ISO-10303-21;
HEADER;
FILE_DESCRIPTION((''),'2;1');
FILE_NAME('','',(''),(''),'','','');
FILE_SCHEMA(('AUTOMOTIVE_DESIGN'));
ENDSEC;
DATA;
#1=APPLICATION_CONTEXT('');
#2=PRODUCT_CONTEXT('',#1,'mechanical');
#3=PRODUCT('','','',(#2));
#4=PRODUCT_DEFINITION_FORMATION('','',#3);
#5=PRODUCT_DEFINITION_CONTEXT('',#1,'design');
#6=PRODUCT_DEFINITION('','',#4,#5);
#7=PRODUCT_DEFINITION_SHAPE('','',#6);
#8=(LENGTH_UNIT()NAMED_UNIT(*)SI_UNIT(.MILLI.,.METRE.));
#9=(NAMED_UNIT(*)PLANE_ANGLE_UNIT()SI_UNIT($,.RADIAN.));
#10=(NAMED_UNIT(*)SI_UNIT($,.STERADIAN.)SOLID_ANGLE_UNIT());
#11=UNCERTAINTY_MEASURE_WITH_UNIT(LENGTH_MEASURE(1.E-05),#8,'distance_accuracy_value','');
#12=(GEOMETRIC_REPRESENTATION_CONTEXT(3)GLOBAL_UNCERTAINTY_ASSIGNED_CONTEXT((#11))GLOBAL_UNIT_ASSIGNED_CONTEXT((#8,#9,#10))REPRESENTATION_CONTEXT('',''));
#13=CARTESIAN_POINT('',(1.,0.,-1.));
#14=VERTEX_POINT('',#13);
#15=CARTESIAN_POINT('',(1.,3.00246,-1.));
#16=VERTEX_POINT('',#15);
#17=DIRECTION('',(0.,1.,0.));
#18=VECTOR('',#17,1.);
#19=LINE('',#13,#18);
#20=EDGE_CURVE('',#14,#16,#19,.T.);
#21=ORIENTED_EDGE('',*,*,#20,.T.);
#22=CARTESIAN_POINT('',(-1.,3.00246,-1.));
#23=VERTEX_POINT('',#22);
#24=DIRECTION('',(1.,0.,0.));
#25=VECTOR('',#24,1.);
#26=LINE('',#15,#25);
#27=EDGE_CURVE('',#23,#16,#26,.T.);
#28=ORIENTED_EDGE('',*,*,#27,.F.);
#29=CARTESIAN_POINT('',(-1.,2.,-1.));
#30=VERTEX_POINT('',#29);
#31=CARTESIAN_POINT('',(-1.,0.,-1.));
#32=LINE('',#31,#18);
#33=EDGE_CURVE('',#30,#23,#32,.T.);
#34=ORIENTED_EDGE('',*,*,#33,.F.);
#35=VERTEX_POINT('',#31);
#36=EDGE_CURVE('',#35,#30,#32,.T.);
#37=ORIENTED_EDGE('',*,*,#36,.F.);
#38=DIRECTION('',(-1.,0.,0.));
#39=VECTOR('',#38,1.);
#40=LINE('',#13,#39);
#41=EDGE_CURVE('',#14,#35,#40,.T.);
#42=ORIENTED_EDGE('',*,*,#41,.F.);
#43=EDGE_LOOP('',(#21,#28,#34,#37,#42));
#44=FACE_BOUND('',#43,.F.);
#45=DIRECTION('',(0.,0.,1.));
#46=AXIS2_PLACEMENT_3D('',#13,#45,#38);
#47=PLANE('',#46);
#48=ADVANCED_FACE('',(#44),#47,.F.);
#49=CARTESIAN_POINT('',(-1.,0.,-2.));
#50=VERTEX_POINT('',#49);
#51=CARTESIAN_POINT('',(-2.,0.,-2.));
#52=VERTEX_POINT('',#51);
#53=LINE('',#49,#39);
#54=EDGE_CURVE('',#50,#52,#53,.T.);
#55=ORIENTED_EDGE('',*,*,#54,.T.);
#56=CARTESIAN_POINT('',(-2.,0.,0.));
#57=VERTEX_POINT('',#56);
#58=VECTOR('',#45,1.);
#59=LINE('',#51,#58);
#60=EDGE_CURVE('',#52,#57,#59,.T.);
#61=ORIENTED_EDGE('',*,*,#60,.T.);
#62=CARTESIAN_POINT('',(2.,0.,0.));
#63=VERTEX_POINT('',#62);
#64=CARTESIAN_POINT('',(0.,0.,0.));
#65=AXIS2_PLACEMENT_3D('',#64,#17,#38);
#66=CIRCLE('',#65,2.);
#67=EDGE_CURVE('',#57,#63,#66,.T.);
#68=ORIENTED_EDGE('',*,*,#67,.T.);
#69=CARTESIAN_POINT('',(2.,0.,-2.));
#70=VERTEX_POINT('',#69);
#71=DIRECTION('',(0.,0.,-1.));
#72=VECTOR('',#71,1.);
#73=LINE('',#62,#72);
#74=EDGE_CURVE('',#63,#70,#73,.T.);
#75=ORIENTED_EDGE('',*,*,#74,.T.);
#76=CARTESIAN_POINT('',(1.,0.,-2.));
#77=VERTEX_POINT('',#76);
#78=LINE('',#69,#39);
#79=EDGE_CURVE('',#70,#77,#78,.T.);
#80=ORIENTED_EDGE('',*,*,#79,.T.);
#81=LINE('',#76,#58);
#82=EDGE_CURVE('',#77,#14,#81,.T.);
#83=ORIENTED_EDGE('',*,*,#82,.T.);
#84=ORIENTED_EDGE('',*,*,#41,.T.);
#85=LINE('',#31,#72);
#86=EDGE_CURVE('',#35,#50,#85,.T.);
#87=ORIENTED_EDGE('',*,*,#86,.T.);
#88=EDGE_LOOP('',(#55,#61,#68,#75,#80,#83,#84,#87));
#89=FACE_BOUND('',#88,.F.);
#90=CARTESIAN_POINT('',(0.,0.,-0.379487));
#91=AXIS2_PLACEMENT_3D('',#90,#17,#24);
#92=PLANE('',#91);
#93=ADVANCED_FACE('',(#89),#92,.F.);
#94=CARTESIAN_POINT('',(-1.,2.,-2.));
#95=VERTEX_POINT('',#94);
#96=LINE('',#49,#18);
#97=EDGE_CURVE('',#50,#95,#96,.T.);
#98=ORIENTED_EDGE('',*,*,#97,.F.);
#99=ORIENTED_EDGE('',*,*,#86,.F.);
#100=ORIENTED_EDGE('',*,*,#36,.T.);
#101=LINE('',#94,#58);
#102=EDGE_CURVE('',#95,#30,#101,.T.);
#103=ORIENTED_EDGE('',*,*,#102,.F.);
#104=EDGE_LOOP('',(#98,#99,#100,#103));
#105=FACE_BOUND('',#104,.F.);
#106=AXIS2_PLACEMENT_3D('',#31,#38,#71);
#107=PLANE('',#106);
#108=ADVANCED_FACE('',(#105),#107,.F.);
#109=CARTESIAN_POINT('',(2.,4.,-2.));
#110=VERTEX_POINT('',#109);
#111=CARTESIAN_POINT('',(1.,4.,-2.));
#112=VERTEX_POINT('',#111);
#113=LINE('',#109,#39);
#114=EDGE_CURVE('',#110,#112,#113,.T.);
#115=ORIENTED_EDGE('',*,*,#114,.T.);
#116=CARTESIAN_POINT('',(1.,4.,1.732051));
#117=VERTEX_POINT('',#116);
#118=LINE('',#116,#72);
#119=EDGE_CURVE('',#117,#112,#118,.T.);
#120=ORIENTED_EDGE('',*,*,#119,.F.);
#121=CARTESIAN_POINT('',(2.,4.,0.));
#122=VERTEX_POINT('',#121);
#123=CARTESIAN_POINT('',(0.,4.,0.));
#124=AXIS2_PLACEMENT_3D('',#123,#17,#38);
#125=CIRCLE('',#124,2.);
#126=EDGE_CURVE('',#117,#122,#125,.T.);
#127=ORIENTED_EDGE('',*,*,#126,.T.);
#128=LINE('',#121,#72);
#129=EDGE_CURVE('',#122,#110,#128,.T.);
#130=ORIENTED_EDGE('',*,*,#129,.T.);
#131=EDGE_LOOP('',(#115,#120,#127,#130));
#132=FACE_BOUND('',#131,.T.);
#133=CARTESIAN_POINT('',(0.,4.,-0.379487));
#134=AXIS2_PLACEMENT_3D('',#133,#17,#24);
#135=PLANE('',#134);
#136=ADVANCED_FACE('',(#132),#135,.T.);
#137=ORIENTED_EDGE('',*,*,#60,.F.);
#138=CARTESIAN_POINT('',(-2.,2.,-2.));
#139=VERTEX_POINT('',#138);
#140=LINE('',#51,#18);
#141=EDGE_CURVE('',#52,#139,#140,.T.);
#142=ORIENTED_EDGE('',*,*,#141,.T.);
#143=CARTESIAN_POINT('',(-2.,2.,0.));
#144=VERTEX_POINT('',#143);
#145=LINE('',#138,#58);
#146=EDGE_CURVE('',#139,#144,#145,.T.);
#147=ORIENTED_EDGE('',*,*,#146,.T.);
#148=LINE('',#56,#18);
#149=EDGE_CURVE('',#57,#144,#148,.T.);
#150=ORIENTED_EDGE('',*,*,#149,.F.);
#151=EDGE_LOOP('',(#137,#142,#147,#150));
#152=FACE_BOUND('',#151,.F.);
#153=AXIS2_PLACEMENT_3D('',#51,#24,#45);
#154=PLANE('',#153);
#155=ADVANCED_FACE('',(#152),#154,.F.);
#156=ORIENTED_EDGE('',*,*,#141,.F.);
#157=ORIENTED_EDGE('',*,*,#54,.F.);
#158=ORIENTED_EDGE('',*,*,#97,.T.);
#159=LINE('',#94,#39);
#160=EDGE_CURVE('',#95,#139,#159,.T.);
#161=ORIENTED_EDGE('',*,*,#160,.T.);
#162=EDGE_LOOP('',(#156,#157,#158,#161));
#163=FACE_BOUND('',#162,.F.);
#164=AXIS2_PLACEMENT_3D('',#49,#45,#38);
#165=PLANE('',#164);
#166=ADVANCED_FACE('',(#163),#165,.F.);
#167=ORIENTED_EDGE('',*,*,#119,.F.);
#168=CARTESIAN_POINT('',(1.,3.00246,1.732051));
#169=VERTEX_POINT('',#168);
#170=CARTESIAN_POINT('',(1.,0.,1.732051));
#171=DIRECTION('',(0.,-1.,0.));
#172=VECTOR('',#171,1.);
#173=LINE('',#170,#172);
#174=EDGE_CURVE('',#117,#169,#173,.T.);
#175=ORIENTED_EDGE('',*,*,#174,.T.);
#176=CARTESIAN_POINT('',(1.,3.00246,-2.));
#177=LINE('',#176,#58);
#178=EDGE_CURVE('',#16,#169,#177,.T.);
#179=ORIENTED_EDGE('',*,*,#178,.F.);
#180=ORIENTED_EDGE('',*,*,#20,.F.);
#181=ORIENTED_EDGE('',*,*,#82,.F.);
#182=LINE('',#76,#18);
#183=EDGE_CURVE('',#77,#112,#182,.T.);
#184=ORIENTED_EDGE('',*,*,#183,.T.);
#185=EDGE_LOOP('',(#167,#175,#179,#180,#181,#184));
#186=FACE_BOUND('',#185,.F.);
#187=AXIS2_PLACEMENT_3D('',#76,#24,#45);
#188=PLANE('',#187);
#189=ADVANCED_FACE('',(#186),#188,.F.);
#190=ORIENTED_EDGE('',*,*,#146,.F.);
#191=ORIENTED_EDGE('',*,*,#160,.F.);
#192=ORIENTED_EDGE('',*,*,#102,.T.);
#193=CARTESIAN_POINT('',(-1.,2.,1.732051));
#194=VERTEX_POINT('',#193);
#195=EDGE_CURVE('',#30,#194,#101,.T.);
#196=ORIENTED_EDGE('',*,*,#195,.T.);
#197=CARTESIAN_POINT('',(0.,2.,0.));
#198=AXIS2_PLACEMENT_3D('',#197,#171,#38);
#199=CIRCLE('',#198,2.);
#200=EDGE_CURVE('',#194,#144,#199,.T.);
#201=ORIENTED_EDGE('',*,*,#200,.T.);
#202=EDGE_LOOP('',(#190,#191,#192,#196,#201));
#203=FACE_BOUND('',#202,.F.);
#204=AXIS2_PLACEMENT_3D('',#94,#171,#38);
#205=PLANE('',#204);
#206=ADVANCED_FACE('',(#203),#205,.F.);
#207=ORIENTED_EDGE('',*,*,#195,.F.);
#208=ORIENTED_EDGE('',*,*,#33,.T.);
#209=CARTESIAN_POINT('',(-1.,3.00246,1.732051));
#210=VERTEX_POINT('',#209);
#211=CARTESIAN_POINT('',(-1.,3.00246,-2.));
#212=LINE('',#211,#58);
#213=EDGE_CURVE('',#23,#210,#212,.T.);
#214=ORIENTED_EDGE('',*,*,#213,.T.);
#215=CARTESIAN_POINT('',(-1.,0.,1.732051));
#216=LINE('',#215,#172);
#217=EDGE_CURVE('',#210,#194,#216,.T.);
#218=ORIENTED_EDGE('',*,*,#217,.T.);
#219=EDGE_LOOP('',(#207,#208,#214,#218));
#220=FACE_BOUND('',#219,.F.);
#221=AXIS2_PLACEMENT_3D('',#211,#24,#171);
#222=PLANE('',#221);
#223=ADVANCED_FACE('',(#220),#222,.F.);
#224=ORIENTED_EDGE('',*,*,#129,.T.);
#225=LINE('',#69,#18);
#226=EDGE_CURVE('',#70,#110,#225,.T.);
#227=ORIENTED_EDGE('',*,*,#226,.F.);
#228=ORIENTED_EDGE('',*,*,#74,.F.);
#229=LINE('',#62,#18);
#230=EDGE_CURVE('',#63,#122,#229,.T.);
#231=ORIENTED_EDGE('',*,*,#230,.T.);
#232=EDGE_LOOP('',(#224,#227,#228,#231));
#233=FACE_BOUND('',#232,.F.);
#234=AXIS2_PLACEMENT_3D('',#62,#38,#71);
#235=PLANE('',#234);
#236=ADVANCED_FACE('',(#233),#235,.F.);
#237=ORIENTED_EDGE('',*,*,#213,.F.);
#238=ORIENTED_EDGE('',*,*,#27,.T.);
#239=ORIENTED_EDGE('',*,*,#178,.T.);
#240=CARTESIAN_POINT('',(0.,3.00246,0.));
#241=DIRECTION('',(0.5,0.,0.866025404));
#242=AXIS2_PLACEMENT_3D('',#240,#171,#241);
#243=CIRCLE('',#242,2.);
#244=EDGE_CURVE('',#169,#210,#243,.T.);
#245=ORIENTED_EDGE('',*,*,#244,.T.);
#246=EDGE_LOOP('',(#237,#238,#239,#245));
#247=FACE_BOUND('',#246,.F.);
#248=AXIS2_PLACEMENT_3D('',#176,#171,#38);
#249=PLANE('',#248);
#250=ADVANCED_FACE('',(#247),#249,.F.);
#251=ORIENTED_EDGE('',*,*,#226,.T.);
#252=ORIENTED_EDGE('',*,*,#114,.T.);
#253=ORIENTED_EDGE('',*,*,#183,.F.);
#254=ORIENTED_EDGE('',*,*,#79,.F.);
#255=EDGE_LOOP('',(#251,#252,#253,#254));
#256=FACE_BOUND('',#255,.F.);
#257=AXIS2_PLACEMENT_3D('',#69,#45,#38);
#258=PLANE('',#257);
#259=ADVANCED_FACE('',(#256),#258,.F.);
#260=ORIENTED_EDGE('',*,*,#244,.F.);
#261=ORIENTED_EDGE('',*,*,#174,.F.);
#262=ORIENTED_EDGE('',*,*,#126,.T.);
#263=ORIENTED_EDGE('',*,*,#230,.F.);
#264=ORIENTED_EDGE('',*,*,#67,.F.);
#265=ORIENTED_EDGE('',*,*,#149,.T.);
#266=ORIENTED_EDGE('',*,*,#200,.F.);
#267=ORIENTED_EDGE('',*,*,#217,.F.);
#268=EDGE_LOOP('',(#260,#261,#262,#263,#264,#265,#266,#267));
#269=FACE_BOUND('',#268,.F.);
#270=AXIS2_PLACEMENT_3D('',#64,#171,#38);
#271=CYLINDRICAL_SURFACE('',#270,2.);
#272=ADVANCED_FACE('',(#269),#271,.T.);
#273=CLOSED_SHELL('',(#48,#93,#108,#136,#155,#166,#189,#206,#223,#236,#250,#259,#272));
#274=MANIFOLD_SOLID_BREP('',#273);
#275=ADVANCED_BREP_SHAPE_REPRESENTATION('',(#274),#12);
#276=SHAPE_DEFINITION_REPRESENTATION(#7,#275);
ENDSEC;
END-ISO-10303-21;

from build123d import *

# Parameters (mm, degrees)
BOSS_EXTRUDE1_DEPTH = 4
CUT_EXTRUDE1_DEPTH  = 4


with BuildPart() as part:
    # Sketch1 → Boss-Extrude1 (new body)
    with BuildSketch(Plane(origin=(0, 0, 0), x_dir=(1, 0, 0), z_dir=(0, 1, 0))):
        with BuildLine():
            Line((-2, 2), (-2, 0))
            ThreePointArc((-2, 0), (0, -2), (2, 0))
            Line((2, 0), (2, 2))
            Line((2, 2), (1, 2))
            Line((1, 2), (1, 1))
            Line((1, 1), (-1, 1))
            Line((-1, 1), (-1, 2))
            Line((-1, 2), (-2, 2))
        make_face()
    extrude(amount=BOSS_EXTRUDE1_DEPTH)

    # Sketch2 → Cut-Extrude1 (cut)
    with BuildSketch(Plane(origin=(0, 0, -2), x_dir=(-1, 0, 0), z_dir=(0, 0, -1))):
        Polygon((-1, 4), (-1, 3.002459536), (1, 3.002459536), (1, 2), (2, 2), (2, 4), align=None)
    extrude(amount=-CUT_EXTRUDE1_DEPTH, mode=Mode.SUBTRACT)


solid = part.part
